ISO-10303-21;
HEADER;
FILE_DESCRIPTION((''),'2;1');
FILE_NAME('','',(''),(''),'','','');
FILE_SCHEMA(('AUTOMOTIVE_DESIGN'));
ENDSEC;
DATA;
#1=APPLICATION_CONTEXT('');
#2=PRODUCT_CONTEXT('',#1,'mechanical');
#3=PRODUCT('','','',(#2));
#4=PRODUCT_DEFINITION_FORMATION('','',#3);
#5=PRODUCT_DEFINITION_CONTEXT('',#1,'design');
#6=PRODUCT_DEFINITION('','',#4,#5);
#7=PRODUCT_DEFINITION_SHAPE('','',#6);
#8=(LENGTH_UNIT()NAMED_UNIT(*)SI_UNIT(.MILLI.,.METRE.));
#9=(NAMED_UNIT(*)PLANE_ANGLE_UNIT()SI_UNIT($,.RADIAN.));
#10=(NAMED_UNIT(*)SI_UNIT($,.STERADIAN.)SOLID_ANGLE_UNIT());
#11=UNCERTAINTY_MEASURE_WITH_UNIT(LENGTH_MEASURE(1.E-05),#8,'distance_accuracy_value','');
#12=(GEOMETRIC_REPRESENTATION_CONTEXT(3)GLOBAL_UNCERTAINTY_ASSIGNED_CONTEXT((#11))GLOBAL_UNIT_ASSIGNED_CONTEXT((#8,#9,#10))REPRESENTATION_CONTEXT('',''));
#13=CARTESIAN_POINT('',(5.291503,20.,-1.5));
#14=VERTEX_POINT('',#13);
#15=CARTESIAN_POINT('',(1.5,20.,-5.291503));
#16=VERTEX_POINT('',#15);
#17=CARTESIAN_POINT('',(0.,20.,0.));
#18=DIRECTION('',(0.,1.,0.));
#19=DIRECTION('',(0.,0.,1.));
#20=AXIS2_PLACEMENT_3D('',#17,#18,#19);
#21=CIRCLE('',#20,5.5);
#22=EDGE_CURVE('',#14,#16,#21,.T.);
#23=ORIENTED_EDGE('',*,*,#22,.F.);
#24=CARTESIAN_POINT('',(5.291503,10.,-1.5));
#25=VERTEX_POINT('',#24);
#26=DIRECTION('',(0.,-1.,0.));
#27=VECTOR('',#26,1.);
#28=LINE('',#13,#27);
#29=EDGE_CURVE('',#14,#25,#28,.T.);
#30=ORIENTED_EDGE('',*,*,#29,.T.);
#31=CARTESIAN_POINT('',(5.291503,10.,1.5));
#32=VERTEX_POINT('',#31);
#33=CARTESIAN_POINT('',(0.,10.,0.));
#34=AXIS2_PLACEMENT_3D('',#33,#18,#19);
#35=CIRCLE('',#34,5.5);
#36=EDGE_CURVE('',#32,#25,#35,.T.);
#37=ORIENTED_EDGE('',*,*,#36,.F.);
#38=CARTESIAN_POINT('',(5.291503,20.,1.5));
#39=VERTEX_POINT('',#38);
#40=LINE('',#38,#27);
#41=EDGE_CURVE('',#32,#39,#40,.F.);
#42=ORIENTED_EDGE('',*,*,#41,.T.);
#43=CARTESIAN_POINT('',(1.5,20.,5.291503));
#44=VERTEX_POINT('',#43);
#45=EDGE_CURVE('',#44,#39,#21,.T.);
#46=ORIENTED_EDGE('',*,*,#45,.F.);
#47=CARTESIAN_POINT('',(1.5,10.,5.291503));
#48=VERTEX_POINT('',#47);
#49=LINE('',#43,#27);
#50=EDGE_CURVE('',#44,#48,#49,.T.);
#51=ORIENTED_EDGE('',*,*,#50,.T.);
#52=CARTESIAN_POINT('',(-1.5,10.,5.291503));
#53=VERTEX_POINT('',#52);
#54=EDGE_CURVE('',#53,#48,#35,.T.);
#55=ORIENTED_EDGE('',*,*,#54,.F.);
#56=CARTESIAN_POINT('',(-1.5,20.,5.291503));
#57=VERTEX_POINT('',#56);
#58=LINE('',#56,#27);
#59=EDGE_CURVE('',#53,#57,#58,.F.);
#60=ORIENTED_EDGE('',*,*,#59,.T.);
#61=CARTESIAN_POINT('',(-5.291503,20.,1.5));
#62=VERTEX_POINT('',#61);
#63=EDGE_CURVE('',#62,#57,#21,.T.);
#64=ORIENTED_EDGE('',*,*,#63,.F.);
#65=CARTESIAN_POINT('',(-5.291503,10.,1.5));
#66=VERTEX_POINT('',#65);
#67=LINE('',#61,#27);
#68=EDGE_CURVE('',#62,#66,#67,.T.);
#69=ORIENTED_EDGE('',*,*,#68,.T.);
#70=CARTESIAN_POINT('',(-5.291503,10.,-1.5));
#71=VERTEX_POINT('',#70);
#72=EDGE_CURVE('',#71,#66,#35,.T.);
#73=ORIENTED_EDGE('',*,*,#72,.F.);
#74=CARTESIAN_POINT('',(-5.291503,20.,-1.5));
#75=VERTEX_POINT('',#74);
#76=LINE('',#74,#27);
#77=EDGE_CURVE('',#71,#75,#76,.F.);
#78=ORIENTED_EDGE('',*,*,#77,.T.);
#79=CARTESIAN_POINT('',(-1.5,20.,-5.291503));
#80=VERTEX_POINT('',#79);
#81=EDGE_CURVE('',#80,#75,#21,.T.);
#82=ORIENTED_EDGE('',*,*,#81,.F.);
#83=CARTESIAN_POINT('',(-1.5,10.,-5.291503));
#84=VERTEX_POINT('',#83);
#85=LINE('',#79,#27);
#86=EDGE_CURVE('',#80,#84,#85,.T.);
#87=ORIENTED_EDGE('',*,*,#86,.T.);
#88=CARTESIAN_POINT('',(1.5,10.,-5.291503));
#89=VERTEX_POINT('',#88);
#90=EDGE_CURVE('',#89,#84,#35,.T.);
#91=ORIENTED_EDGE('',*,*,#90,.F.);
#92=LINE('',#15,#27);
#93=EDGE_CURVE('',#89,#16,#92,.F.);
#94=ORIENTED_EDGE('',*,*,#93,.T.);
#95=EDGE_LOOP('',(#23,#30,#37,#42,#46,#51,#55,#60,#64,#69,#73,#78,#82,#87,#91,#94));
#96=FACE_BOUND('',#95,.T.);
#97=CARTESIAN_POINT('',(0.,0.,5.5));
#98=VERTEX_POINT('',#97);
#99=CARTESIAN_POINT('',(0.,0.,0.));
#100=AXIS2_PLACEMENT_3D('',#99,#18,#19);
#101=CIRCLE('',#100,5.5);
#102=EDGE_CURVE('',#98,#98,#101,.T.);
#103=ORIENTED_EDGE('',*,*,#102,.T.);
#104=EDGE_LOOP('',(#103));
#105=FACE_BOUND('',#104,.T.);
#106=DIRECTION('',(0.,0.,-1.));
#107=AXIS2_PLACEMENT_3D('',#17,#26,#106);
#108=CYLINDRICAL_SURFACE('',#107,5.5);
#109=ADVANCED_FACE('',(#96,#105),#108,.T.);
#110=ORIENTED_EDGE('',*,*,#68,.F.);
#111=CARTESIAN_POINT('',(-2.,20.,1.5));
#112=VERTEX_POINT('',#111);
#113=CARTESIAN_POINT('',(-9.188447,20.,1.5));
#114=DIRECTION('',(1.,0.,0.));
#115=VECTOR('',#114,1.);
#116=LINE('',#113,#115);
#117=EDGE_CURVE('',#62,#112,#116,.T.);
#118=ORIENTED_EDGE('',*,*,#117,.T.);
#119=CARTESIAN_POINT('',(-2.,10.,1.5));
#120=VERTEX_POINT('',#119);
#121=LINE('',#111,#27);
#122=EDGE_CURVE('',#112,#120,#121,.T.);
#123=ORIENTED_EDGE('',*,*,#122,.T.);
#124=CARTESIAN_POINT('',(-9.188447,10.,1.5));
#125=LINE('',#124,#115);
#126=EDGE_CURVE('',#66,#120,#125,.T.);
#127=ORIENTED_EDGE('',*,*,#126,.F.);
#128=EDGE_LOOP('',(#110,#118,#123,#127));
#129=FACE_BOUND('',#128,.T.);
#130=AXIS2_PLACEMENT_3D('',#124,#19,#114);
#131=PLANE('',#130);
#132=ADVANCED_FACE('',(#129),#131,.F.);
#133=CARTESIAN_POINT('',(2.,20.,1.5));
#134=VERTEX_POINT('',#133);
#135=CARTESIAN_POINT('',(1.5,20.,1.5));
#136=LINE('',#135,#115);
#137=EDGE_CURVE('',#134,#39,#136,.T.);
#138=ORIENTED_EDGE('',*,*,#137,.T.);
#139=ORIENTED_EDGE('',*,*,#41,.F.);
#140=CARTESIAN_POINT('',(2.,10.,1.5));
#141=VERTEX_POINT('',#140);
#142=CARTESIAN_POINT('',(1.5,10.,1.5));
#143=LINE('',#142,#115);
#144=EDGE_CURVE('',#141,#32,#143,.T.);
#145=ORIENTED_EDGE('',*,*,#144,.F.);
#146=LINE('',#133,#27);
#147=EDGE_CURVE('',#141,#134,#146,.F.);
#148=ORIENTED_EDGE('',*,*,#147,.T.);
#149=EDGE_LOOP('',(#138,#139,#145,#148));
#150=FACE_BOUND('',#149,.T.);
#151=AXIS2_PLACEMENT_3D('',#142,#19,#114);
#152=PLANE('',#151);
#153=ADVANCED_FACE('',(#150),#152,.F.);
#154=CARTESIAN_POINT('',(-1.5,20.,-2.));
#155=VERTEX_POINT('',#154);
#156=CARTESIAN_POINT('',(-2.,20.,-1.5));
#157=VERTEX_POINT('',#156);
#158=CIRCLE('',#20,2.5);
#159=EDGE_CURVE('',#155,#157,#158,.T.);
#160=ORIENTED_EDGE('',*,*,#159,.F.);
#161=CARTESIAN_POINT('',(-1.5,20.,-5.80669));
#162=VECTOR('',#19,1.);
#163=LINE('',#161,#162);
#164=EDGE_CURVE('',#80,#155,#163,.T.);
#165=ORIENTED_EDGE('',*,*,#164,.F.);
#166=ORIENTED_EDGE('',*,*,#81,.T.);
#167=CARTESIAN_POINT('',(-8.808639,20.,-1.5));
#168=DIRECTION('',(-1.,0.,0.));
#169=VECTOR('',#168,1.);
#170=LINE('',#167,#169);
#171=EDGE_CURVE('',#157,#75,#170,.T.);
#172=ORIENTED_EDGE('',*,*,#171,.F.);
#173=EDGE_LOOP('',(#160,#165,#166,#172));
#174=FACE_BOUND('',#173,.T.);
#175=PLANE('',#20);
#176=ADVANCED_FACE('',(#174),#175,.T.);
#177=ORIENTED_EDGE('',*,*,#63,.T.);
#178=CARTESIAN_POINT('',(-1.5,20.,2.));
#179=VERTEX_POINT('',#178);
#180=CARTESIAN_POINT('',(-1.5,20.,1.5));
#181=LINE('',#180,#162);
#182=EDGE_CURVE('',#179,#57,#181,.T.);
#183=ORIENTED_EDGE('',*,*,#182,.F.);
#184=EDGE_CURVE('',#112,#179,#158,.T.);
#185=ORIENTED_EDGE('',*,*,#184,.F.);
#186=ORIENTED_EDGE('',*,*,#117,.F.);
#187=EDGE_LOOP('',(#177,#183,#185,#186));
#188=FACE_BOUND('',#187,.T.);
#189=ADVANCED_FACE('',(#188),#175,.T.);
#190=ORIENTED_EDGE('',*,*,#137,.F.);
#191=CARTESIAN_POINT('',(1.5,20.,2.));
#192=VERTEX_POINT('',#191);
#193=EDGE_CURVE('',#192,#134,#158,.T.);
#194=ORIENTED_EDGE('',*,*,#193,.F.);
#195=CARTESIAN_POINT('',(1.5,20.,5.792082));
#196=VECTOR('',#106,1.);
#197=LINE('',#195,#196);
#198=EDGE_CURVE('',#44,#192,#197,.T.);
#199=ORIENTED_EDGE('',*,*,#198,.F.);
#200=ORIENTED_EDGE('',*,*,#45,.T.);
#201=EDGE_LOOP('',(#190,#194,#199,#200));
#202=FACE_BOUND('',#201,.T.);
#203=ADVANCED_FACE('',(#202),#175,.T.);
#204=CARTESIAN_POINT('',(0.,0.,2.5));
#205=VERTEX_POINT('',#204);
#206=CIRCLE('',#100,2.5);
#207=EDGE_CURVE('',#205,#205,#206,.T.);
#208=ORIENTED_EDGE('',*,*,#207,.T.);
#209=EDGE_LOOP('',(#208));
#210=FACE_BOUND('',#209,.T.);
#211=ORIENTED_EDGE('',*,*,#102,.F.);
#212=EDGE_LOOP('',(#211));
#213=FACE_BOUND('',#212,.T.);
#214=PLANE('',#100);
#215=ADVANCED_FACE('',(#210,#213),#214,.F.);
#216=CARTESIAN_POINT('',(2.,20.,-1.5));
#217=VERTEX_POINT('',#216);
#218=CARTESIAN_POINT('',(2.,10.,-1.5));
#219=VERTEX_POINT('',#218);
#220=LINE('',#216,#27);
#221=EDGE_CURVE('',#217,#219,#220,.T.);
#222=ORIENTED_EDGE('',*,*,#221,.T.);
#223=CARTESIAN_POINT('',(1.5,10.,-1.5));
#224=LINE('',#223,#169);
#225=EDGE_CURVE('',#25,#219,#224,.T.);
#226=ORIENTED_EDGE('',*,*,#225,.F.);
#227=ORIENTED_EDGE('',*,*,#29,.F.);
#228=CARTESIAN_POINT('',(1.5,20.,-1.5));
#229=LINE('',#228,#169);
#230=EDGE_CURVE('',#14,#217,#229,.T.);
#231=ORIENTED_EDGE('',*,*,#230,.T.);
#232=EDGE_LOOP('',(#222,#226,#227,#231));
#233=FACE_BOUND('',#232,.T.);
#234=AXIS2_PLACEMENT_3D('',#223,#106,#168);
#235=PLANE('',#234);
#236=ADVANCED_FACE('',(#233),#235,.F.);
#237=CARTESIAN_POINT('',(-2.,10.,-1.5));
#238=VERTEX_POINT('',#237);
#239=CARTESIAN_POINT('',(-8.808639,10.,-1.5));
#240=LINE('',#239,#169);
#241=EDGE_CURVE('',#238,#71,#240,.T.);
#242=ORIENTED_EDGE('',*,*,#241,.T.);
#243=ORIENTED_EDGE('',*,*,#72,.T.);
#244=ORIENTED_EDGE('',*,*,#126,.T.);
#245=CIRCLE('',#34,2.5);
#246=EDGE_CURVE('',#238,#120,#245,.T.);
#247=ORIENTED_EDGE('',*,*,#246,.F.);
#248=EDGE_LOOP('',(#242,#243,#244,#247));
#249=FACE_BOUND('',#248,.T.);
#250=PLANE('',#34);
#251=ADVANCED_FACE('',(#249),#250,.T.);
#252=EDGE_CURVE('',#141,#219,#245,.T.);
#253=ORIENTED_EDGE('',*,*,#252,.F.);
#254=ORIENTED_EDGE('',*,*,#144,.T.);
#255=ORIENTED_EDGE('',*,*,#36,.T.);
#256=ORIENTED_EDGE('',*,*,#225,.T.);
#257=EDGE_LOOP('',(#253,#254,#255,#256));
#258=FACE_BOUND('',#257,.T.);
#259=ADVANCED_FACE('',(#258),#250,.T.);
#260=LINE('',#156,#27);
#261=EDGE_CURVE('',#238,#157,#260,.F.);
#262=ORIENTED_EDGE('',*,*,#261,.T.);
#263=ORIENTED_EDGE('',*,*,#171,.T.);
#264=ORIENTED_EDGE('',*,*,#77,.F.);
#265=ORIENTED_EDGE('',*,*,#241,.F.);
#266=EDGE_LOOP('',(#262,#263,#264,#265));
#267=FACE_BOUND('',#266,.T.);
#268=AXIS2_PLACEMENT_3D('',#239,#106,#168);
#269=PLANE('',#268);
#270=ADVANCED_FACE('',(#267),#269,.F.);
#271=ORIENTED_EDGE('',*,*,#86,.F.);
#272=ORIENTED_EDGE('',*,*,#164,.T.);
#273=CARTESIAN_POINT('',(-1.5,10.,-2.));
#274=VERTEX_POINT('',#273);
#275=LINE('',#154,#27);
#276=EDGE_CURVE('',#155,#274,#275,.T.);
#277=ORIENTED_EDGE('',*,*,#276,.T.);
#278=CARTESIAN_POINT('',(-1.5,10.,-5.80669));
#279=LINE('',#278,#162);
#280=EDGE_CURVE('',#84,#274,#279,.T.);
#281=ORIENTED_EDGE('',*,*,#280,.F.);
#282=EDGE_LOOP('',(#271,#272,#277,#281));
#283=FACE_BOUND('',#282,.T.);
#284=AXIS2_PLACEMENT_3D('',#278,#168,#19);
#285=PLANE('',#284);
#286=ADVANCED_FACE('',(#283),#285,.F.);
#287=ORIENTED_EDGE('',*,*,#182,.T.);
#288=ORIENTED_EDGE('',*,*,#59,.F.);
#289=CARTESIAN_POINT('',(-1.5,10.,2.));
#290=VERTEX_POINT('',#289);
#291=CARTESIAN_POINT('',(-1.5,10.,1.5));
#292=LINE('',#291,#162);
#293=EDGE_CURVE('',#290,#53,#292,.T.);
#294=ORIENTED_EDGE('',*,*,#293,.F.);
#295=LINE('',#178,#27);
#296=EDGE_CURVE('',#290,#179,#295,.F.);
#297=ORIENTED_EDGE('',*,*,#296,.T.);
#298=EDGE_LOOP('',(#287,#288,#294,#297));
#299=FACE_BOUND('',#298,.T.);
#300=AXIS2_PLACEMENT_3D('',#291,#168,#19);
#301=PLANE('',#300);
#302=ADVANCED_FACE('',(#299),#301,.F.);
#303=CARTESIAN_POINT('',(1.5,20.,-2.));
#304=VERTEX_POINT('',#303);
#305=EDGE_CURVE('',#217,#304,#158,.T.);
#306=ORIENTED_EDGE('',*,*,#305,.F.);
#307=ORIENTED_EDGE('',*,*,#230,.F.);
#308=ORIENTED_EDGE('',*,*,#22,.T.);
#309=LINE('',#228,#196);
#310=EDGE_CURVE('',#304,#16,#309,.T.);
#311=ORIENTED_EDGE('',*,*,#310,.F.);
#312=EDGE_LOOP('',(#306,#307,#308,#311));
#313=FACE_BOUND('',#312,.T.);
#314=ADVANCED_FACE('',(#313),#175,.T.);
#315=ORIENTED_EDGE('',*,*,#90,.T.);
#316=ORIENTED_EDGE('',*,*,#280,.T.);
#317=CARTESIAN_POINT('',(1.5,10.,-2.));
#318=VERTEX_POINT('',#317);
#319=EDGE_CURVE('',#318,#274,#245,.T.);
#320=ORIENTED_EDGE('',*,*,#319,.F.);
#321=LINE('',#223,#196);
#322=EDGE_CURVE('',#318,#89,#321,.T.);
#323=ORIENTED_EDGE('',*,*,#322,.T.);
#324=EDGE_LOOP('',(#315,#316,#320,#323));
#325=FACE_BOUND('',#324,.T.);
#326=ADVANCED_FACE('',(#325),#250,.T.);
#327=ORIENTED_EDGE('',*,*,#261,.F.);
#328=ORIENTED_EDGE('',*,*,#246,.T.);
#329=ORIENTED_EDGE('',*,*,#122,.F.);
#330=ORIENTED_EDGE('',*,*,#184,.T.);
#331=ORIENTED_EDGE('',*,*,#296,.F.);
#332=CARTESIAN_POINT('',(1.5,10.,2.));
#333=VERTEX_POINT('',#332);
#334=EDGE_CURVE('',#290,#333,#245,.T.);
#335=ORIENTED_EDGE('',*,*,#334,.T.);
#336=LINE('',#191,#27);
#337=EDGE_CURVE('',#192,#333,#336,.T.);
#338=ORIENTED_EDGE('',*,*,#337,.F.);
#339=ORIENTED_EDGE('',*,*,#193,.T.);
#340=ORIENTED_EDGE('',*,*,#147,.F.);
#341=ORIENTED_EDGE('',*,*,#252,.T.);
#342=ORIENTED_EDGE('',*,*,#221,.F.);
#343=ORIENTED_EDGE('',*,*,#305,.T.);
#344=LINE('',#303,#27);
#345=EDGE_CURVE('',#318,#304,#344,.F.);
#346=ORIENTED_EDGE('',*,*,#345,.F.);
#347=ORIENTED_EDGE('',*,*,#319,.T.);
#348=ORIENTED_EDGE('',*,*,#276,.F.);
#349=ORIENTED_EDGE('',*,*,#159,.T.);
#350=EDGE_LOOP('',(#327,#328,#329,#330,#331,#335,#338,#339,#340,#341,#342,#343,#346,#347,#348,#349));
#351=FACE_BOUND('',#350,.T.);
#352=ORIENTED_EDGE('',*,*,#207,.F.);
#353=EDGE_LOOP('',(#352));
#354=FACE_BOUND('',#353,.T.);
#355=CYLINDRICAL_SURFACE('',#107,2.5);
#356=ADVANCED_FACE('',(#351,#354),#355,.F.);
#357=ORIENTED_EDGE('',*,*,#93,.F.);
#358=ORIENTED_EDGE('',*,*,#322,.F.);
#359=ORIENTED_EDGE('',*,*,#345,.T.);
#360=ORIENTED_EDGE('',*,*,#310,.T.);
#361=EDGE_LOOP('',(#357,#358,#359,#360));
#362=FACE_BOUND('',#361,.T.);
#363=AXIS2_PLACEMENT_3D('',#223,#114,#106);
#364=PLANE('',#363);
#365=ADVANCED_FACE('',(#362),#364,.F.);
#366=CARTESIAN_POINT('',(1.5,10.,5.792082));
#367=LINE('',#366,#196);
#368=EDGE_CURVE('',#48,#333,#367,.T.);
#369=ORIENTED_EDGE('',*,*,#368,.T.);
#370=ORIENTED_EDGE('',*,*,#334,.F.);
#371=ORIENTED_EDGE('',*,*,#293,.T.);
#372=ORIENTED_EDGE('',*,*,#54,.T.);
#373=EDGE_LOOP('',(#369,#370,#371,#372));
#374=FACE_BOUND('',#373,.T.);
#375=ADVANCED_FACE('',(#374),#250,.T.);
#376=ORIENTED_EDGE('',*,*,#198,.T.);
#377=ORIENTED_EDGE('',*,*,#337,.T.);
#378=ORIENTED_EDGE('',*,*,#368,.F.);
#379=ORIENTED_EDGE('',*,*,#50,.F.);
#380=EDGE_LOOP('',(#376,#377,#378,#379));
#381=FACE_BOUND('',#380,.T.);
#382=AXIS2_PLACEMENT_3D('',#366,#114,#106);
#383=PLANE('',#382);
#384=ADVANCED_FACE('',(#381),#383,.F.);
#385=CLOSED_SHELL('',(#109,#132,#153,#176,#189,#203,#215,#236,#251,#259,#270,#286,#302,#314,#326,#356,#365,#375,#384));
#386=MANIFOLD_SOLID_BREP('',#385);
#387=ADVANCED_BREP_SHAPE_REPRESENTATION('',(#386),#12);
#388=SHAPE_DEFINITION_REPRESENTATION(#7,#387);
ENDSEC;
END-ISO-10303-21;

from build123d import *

# Parameters (mm, degrees)
ESQUISSE1_R             = 5.5
ESQUISSE1_R_2           = 2.5
BOSS_EXTRU_1_DEPTH      = 20
ENL_V_MAT_EXTRU_1_DEPTH = 10


with BuildPart() as part:
    # Esquisse1 → Boss.-Extru.1 (new body)
    with BuildSketch(Plane(origin=(0, 0, 0), x_dir=(1, 0, 0), z_dir=(0, 1, 0))):
        with Locations(Location((0, 0, 0), (0, 0, 270))):
            Circle(ESQUISSE1_R)
        with Locations(Location((0, 0, 0), (0, 0, 270))):
            Circle(ESQUISSE1_R_2, mode=Mode.SUBTRACT)
    extrude(amount=BOSS_EXTRU_1_DEPTH)

    # Esquisse2 → Enlèv. mat.-Extru.1 (cut)
    with BuildSketch(Plane(origin=(0, 20, 0), x_dir=(1, 0, 0), z_dir=(0, 1, 0))):
        Polygon((-1.5, 5.80668977), (-1.5, 1.5), (-8.808638821, 1.5), (-9.18844746, -1.5), (-1.5, -1.5), (-1.5, -5.792081745), (1.5, -5.792081745), (1.5, -1.5), (7.78364435, -1.5), (7.981313964, 1.5), (1.5, 1.5), (1.5, 5.80668977), align=None)
    extrude(amount=-ENL_V_MAT_EXTRU_1_DEPTH, mode=Mode.SUBTRACT)


solid = part.part
